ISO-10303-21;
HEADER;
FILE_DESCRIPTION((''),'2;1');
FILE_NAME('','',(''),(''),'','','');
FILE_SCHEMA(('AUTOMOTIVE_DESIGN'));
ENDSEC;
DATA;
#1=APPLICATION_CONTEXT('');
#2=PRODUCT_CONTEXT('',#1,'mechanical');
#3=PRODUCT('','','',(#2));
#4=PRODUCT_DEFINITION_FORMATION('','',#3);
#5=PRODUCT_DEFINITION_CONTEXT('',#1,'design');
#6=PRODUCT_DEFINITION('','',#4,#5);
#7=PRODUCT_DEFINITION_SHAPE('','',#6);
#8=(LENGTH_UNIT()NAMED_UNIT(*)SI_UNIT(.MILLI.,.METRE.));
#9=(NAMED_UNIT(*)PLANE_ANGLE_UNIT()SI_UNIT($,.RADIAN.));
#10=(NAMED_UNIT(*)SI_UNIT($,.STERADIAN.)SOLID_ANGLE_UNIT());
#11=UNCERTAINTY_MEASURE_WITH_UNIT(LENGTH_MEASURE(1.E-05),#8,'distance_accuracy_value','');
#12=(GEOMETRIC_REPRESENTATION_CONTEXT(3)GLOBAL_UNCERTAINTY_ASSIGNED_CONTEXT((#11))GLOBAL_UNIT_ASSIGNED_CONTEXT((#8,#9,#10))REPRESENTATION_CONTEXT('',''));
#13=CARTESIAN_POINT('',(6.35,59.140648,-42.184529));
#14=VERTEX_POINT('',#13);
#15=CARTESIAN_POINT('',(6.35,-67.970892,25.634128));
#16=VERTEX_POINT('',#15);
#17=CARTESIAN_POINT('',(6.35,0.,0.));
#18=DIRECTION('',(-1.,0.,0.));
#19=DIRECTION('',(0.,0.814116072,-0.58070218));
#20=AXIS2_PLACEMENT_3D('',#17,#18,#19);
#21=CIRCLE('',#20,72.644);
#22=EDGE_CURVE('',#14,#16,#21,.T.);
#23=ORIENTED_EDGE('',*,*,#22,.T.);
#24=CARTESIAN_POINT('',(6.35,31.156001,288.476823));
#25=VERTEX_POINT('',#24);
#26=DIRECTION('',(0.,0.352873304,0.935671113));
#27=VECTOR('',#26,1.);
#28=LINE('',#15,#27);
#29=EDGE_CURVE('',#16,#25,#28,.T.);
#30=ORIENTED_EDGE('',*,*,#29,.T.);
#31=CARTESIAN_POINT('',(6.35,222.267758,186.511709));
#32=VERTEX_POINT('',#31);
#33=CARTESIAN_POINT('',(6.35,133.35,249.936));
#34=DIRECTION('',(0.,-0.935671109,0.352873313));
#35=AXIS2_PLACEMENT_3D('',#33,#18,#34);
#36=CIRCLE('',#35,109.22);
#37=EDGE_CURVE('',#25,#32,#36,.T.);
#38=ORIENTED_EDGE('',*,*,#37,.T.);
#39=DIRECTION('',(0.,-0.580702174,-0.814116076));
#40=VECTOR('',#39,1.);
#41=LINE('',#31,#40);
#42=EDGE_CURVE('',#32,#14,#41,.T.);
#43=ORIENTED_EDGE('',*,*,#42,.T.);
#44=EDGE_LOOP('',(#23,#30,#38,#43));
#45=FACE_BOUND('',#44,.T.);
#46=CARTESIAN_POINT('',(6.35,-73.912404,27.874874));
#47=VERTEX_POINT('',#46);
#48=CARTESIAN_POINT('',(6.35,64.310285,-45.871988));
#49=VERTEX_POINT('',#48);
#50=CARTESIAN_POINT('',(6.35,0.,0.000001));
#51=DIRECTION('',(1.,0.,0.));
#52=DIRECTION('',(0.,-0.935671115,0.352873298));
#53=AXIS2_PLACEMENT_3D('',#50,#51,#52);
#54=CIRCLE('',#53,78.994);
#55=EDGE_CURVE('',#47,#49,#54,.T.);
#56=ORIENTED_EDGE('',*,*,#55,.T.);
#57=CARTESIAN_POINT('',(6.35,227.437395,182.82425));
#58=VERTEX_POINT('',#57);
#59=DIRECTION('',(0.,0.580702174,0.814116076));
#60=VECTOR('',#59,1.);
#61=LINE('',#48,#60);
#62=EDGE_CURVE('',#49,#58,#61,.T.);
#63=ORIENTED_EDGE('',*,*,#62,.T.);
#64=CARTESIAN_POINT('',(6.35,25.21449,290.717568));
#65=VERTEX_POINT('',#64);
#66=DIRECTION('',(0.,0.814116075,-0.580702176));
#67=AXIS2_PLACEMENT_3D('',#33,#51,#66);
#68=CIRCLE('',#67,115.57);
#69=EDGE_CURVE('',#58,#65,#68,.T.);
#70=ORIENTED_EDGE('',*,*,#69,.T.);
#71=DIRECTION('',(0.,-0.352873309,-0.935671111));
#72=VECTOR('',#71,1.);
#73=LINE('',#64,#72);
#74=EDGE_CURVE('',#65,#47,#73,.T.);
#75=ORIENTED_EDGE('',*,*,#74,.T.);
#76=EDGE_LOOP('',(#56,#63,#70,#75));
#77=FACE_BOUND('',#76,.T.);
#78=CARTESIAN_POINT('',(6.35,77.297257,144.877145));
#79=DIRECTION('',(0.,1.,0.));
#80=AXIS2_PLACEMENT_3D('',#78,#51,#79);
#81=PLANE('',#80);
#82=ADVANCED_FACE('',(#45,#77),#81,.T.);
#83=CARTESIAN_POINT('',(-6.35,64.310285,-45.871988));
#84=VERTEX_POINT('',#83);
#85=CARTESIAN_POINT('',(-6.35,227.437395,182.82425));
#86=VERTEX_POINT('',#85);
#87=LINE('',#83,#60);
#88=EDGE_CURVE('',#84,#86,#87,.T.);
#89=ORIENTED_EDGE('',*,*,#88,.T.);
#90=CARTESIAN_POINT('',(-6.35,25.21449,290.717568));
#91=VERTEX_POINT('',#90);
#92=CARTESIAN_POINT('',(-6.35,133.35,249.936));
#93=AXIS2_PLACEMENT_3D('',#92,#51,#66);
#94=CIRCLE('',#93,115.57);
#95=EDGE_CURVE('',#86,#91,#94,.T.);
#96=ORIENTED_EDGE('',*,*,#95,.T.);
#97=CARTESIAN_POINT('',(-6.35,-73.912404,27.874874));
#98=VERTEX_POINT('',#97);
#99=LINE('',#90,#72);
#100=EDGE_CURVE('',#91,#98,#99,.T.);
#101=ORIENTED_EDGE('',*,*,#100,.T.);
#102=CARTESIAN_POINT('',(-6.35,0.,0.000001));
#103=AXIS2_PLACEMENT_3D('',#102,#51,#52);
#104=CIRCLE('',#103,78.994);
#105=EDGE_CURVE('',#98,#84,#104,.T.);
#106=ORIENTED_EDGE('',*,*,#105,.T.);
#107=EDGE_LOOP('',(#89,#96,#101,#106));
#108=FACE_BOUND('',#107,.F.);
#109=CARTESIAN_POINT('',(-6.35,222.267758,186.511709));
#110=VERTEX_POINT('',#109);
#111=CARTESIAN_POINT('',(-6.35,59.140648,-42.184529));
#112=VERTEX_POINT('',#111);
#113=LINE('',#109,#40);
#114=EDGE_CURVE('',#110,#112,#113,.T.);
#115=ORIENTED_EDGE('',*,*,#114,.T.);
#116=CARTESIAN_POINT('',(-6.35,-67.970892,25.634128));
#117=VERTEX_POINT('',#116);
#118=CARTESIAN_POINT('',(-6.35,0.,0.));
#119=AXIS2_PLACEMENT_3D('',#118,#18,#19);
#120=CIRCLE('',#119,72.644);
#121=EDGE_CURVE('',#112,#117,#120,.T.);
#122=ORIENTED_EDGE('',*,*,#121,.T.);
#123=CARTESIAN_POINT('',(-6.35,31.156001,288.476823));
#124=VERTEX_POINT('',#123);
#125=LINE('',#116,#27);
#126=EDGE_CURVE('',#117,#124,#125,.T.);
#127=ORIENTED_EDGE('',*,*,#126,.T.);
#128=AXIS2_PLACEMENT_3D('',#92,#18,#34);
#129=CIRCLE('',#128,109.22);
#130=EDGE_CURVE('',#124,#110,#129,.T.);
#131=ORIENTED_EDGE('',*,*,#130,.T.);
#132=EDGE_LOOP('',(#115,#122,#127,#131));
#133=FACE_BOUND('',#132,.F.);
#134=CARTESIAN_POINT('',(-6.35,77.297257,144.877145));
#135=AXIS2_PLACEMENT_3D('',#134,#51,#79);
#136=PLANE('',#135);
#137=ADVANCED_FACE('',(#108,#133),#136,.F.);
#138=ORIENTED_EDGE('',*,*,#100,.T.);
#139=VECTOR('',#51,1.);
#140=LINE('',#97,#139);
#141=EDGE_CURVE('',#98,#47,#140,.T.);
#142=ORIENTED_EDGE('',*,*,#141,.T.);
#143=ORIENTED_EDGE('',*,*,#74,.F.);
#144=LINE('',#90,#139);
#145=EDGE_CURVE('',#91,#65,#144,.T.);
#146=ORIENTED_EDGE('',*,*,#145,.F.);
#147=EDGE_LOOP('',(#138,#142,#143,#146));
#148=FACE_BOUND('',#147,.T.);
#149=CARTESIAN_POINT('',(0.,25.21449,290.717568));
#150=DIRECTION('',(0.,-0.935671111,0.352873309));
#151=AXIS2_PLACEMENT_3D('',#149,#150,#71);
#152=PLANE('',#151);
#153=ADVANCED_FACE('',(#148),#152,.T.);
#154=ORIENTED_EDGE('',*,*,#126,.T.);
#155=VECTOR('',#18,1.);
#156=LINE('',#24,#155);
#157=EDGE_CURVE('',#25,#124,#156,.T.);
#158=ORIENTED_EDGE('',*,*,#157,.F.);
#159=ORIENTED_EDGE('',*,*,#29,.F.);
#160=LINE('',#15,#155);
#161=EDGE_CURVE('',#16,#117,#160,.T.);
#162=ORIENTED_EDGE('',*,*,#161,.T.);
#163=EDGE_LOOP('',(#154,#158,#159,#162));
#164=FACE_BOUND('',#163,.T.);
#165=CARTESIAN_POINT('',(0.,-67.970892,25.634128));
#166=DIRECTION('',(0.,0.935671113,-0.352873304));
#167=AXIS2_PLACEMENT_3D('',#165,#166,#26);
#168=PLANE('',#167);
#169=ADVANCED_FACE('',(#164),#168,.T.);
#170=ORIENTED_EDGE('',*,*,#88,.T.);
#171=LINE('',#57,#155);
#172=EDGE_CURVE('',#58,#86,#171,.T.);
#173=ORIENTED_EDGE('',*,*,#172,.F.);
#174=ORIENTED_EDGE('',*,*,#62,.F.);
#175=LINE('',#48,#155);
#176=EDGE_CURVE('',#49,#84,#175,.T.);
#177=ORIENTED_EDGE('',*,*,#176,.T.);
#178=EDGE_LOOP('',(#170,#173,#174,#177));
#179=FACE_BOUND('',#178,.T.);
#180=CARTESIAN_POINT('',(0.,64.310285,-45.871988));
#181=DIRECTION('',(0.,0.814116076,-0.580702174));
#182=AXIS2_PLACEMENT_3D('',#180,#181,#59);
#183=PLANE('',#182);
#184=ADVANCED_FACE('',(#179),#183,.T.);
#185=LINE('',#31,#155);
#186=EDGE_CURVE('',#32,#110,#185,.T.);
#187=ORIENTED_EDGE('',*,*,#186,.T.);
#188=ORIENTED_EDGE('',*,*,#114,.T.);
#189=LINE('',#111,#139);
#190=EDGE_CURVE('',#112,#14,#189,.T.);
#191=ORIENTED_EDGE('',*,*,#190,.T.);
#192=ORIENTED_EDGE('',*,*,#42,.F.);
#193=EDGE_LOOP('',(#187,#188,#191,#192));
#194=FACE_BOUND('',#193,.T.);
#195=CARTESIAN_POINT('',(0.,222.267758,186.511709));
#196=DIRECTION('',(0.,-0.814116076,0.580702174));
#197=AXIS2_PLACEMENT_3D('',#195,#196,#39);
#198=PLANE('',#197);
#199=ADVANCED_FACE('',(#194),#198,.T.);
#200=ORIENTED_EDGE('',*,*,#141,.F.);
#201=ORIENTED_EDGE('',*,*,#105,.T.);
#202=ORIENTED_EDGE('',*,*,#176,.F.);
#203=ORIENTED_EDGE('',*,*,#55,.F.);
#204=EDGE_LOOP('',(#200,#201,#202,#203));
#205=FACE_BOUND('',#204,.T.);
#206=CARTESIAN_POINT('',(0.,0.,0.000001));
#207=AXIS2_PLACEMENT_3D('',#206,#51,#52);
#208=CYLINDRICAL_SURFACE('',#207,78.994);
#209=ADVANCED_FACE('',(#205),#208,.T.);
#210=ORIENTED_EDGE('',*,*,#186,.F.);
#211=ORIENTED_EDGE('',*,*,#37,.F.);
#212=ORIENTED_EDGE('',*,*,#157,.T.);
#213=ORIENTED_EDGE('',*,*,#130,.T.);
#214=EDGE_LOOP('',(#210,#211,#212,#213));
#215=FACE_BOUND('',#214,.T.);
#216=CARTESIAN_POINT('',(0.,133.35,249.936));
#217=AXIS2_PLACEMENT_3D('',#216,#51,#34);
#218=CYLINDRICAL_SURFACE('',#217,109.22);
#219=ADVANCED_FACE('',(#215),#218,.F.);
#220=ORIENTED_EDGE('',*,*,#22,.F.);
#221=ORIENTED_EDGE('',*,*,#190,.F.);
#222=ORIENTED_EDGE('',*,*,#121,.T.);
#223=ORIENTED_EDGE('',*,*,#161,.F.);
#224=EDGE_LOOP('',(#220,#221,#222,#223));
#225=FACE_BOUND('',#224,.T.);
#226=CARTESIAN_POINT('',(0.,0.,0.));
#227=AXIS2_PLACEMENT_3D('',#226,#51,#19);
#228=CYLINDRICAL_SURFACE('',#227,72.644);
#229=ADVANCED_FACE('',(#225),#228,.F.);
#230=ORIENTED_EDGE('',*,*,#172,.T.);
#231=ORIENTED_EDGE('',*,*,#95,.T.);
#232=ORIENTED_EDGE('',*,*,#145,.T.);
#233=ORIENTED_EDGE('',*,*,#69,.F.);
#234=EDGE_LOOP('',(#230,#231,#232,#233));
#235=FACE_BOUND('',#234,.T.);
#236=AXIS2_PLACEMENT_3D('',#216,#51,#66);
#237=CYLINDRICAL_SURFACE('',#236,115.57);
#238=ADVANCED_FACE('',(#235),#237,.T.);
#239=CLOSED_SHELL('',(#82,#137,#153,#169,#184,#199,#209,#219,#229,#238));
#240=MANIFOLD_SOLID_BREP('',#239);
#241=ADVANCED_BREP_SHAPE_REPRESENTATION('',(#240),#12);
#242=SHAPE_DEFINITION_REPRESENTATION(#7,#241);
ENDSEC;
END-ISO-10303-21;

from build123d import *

# Parameters (mm, degrees)
F1_DEPTH = 6.35


with BuildPart() as f1:
    # F0 (on Right) → F1 (new body, symmetric)
    with BuildSketch(Plane.YZ):
        with BuildLine():
            ThreePointArc((227.437395, 182.82425), (187.752017, 351.900923), (25.21449, 290.717568))
            Line((25.21449, 290.717568), (-73.912404, 27.874874))
            ThreePointArc((-73.912404, 27.874874), (-37.184675, -69.694705), (64.310285, -45.871988))
            Line((64.310285, -45.871988), (227.437395, 182.82425))
        make_face()
        with BuildLine():
            ThreePointArc((59.140648, -42.184529), (-34.195553, -64.092237), (-67.970892, 25.634128))
            Line((-67.970892, 25.634128), (31.156001, 288.476823))
            ThreePointArc((31.156001, 288.476823), (184.762895, 346.298454), (222.267758, 186.511709))
            Line((222.267758, 186.511709), (59.140648, -42.184529))
        make_face(mode=Mode.SUBTRACT)
    extrude(amount=F1_DEPTH, both=True)


solid = f1.part
